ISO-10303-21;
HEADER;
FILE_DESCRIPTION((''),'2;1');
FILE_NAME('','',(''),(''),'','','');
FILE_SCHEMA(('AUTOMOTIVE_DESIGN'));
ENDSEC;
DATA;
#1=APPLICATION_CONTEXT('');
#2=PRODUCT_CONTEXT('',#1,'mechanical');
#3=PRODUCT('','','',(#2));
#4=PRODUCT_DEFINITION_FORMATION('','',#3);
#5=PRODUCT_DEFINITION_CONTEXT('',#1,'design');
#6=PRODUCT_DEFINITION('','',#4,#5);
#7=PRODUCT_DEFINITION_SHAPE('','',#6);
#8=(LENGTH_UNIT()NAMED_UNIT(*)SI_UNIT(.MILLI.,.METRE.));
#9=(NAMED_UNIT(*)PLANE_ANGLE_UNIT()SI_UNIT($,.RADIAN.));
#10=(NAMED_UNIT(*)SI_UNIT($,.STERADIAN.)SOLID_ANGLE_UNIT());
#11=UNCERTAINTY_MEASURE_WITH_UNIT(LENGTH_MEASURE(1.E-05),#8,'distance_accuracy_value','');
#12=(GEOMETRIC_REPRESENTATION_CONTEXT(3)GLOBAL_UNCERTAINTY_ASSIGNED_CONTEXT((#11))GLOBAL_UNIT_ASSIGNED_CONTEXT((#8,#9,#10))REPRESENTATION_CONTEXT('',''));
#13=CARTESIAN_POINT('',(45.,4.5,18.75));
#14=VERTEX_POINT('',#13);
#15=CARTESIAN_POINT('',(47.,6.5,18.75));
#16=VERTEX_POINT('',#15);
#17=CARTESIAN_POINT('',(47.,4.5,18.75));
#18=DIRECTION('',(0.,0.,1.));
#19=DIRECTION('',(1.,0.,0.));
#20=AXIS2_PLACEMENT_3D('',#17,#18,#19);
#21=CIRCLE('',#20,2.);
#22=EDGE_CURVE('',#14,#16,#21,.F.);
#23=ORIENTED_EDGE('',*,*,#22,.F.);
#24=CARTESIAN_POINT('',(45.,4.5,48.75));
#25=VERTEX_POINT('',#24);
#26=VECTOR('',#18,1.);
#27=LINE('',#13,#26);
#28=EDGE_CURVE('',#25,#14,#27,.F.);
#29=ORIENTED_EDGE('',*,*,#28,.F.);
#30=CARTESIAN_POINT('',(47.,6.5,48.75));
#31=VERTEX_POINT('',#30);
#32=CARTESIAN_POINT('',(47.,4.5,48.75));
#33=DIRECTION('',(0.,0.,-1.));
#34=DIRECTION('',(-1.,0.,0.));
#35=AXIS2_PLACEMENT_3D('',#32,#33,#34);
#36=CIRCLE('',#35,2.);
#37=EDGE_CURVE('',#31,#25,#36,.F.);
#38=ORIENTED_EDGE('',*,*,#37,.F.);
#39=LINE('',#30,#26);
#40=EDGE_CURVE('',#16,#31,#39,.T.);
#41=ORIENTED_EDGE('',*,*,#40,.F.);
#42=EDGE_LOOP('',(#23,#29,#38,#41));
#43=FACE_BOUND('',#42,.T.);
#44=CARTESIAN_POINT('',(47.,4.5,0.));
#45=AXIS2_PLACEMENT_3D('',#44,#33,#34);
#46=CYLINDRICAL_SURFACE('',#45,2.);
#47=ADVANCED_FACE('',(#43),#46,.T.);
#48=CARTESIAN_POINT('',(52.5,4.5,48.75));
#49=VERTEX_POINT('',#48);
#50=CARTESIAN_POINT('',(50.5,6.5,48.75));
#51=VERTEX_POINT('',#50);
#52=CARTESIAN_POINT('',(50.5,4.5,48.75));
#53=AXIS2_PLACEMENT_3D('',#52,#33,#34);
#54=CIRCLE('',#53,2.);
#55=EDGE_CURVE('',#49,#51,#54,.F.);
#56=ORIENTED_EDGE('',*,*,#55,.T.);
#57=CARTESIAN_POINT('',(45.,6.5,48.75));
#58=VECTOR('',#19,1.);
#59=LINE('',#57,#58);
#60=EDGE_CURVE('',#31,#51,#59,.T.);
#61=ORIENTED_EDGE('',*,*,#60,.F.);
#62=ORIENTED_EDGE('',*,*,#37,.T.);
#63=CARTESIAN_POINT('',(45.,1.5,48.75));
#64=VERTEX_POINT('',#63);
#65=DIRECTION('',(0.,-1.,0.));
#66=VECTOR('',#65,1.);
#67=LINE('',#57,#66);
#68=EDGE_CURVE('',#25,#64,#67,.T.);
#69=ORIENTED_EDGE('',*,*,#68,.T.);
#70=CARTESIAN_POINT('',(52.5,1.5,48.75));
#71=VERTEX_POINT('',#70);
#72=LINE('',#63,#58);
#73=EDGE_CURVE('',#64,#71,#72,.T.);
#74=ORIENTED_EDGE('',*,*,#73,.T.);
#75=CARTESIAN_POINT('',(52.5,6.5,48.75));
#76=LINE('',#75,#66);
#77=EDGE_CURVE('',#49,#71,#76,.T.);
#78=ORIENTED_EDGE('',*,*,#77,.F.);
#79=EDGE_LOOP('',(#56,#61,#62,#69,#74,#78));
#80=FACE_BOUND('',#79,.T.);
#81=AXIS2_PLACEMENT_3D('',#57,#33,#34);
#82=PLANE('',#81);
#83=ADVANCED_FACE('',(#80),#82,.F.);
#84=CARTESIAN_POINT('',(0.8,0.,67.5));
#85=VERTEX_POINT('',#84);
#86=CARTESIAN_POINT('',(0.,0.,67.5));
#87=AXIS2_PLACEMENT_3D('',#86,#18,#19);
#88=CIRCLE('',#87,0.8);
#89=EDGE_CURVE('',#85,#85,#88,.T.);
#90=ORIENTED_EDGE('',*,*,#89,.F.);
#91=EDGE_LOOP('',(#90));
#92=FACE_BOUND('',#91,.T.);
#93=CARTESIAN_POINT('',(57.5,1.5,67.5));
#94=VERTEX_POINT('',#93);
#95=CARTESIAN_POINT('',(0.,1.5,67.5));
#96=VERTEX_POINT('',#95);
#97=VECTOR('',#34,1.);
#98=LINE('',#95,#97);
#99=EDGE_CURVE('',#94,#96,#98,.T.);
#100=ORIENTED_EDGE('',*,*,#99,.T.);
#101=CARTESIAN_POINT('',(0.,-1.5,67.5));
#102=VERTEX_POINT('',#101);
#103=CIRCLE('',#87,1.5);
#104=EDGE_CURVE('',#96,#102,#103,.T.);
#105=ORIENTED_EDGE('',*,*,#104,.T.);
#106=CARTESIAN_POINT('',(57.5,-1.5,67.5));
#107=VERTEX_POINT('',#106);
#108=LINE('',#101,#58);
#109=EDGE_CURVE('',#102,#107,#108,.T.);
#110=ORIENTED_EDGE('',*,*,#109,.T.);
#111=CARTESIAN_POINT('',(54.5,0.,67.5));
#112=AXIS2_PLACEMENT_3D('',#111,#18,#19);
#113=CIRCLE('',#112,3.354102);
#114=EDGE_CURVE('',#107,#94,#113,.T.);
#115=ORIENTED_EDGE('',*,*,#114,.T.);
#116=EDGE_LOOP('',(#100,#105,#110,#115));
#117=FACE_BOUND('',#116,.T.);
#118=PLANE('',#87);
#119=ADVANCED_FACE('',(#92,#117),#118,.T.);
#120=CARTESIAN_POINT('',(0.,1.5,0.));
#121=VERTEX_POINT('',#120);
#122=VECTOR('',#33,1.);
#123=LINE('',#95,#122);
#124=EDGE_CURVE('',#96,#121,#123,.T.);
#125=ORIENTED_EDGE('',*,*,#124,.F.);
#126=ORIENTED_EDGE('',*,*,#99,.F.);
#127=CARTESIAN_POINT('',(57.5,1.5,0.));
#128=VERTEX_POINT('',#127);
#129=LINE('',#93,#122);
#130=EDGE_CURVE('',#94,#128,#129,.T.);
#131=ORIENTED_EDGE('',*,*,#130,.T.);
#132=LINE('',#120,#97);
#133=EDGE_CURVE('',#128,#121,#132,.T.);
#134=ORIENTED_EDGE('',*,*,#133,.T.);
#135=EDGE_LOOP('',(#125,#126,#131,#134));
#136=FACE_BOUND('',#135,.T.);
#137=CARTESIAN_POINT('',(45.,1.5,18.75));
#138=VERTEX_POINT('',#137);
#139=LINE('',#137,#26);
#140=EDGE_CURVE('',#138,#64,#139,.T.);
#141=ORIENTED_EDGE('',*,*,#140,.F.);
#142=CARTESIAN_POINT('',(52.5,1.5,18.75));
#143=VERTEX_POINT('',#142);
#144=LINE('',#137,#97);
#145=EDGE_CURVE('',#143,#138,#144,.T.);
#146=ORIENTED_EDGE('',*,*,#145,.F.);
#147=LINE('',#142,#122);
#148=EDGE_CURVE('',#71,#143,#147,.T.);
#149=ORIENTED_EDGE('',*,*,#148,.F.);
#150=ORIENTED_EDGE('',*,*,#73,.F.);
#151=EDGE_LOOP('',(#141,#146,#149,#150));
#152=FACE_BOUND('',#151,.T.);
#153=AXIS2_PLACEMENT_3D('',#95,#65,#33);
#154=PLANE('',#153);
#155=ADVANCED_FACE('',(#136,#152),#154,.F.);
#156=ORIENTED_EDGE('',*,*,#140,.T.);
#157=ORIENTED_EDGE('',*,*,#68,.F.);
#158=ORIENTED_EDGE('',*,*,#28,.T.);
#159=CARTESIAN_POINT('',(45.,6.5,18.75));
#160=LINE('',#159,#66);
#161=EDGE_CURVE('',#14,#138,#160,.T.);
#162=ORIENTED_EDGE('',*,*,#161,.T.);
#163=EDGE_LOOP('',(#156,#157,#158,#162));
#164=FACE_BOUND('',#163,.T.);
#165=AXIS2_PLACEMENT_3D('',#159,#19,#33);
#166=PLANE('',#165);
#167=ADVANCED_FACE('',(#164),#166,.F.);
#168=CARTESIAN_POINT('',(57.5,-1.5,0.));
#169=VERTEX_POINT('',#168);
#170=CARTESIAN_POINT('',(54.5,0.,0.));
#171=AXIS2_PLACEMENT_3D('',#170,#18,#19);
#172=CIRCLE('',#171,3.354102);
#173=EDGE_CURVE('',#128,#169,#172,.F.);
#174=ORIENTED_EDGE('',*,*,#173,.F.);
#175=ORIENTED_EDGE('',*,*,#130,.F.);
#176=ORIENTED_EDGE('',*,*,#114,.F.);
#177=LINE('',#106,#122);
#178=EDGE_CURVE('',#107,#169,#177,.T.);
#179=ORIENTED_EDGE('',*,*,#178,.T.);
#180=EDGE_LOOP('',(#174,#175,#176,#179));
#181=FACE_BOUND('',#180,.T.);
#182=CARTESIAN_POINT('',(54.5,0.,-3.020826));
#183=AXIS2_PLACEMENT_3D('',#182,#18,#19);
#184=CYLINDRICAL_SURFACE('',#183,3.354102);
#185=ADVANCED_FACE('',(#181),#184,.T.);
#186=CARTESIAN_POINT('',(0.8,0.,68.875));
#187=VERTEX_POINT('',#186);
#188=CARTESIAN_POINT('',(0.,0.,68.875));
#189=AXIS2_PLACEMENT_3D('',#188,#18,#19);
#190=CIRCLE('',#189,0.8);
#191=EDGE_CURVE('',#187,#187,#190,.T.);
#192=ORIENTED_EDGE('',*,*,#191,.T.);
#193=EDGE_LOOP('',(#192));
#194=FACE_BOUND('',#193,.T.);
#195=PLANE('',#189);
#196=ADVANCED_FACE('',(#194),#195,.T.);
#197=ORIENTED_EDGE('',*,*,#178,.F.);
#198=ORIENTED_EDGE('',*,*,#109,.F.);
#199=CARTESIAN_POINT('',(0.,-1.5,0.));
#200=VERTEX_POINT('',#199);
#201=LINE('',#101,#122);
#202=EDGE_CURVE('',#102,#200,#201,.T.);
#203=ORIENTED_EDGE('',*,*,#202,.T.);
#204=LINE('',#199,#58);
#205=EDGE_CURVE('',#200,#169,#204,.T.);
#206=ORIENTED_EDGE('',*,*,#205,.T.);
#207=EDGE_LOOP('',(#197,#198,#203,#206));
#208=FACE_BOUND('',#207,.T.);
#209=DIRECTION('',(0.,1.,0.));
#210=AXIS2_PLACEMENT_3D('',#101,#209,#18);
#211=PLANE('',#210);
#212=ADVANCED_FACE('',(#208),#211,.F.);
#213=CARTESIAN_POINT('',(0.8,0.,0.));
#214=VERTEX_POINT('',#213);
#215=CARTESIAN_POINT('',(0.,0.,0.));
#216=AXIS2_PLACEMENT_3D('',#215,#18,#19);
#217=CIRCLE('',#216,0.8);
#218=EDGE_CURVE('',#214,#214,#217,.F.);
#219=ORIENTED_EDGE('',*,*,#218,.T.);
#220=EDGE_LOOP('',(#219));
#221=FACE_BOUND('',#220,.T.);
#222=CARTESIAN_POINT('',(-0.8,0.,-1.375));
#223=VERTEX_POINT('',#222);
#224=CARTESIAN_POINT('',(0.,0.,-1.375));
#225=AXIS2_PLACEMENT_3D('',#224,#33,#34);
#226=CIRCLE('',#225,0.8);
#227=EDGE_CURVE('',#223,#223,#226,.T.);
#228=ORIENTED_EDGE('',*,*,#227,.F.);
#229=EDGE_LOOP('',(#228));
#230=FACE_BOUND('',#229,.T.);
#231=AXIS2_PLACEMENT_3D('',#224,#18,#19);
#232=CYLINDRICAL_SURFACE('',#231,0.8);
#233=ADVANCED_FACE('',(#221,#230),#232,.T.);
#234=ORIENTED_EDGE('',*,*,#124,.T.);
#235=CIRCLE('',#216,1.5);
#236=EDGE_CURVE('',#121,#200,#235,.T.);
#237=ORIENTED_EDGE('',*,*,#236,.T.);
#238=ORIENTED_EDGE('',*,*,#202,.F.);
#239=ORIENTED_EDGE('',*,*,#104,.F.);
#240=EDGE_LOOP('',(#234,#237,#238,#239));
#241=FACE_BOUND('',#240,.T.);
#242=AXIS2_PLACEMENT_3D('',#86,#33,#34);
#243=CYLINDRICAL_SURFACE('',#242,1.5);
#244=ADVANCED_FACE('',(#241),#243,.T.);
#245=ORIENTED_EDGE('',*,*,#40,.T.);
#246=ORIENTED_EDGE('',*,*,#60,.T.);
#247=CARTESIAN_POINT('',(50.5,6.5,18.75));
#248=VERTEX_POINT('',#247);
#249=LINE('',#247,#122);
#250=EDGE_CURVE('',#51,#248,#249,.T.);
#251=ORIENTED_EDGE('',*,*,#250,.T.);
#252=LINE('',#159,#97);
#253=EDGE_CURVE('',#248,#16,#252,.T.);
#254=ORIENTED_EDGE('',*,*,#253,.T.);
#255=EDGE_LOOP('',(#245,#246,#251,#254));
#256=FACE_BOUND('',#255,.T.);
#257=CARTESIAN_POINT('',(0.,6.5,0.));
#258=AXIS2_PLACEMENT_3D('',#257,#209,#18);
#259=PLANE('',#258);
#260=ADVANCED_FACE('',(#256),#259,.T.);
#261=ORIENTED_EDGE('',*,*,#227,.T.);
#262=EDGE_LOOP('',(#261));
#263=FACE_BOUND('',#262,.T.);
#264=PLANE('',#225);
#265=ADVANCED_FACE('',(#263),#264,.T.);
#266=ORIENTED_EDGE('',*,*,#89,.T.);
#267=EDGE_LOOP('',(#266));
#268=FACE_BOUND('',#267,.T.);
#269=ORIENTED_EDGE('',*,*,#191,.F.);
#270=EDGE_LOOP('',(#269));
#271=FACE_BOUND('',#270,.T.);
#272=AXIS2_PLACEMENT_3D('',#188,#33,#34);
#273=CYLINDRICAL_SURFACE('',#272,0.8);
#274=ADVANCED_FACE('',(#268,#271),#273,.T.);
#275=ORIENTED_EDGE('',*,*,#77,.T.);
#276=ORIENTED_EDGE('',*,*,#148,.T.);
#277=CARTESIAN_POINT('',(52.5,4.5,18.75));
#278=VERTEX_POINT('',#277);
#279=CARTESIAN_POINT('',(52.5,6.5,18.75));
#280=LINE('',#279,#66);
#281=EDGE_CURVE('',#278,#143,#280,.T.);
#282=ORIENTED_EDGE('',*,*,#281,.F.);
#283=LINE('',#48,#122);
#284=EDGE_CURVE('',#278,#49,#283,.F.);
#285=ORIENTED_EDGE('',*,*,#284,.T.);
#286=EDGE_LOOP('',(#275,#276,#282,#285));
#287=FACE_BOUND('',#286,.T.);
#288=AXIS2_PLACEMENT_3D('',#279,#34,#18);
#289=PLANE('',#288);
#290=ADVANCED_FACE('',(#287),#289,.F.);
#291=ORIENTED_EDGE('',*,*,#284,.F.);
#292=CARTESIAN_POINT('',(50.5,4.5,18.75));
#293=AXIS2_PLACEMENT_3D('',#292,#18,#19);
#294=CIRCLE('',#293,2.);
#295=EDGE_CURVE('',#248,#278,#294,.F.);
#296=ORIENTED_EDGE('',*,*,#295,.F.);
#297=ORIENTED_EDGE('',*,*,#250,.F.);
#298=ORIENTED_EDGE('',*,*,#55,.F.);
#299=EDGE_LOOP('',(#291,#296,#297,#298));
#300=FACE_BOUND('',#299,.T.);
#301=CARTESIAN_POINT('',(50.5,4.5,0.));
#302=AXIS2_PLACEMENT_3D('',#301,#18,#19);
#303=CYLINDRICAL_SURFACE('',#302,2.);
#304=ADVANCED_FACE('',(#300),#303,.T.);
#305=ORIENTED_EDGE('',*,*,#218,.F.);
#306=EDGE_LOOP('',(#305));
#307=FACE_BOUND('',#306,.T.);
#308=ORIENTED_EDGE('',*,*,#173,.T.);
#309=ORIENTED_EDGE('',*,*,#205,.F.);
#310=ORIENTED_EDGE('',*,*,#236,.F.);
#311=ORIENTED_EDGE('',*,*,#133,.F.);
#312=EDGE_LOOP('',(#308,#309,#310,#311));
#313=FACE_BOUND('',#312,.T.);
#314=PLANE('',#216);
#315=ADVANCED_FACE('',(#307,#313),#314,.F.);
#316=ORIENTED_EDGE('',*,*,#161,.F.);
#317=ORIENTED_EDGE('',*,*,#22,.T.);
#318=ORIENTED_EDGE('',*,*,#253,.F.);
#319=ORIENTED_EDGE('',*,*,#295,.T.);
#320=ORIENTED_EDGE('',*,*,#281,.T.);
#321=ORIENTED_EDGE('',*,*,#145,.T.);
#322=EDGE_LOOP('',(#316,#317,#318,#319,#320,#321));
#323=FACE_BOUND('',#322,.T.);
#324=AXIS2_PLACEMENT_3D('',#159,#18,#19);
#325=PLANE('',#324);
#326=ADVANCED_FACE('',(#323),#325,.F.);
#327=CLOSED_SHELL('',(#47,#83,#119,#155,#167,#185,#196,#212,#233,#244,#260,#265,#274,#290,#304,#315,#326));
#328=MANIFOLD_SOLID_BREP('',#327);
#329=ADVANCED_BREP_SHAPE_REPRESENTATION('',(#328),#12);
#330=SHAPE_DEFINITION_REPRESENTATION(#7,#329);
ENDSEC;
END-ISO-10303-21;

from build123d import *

# Parameters (mm, degrees)
BOSS_EXTRUDE1_DEPTH = 67.5
SKETCH2_R           = 0.8
BOSS_EXTRUDE2_DEPTH = 1.375
BOSS_EXTRUDE3_START = 1.375
SKETCH3_R           = 0.8
BOSS_EXTRUDE3_DEPTH = 1.375
BOSS_EXTRUDE4_DEPTH = 67.5
SKETCH5_W           = 7.5
SKETCH5_H           = 30
BOSS_EXTRUDE5_DEPTH = 5
FILLET1_R           = 2


with BuildPart() as part:
    # Sketch1 → Boss-Extrude1 (new body)
    with BuildSketch(Plane.XY):
        with BuildLine():
            Line((0, -1.5), (57.5, -1.5))
            Line((57.5, -1.5), (57.5, 1.5))
            Line((57.5, 1.5), (0, 1.5))
            ThreePointArc((0, 1.5), (-1.5, 0), (0, -1.5))
        make_face()
    extrude(amount=BOSS_EXTRUDE1_DEPTH)

    # Sketch2 → Boss-Extrude2 (add)
    with BuildSketch(Plane.XY.offset(67.5)):
        Circle(SKETCH2_R)
    extrude(amount=BOSS_EXTRUDE2_DEPTH)

    # Sketch3 → Boss-Extrude3 (add)
    with BuildSketch(Plane(origin=(0, 0, 0), x_dir=(-1, 0, 0), z_dir=(0, 0, -1)).offset(BOSS_EXTRUDE3_START)):
        with Locations(Location((0, 0, 0), (0, 0, 180))):
            Circle(SKETCH3_R)
    extrude(amount=-BOSS_EXTRUDE3_DEPTH)

    # Sketch4 → Boss-Extrude4 (add)
    with BuildSketch(Plane.XY.offset(67.5)):
        with BuildLine():
            Line((57.5, 1.5), (57.5, -1.5))
            ThreePointArc((57.5, -1.5), (57.854101966, 0), (57.5, 1.5))
        make_face()
    extrude(amount=-BOSS_EXTRUDE4_DEPTH)

    # Sketch5 → Boss-Extrude5 (add)
    with BuildSketch(Plane(origin=(0, 1.5, 0), x_dir=(1, 0, 0), z_dir=(0, 1, 0))):
        with Locations((48.75, -33.75)):
            Rectangle(SKETCH5_W, SKETCH5_H)
    extrude(amount=BOSS_EXTRUDE5_DEPTH)

    # Fillet1
    fillet1_edges = [part.edges().sort_by_distance(p)[0] for p in [
        (45, 6.5, 33.75),
        (52.5, 6.5, 33.75),
    ]]
    fillet(fillet1_edges, radius=FILLET1_R)


solid = part.part
